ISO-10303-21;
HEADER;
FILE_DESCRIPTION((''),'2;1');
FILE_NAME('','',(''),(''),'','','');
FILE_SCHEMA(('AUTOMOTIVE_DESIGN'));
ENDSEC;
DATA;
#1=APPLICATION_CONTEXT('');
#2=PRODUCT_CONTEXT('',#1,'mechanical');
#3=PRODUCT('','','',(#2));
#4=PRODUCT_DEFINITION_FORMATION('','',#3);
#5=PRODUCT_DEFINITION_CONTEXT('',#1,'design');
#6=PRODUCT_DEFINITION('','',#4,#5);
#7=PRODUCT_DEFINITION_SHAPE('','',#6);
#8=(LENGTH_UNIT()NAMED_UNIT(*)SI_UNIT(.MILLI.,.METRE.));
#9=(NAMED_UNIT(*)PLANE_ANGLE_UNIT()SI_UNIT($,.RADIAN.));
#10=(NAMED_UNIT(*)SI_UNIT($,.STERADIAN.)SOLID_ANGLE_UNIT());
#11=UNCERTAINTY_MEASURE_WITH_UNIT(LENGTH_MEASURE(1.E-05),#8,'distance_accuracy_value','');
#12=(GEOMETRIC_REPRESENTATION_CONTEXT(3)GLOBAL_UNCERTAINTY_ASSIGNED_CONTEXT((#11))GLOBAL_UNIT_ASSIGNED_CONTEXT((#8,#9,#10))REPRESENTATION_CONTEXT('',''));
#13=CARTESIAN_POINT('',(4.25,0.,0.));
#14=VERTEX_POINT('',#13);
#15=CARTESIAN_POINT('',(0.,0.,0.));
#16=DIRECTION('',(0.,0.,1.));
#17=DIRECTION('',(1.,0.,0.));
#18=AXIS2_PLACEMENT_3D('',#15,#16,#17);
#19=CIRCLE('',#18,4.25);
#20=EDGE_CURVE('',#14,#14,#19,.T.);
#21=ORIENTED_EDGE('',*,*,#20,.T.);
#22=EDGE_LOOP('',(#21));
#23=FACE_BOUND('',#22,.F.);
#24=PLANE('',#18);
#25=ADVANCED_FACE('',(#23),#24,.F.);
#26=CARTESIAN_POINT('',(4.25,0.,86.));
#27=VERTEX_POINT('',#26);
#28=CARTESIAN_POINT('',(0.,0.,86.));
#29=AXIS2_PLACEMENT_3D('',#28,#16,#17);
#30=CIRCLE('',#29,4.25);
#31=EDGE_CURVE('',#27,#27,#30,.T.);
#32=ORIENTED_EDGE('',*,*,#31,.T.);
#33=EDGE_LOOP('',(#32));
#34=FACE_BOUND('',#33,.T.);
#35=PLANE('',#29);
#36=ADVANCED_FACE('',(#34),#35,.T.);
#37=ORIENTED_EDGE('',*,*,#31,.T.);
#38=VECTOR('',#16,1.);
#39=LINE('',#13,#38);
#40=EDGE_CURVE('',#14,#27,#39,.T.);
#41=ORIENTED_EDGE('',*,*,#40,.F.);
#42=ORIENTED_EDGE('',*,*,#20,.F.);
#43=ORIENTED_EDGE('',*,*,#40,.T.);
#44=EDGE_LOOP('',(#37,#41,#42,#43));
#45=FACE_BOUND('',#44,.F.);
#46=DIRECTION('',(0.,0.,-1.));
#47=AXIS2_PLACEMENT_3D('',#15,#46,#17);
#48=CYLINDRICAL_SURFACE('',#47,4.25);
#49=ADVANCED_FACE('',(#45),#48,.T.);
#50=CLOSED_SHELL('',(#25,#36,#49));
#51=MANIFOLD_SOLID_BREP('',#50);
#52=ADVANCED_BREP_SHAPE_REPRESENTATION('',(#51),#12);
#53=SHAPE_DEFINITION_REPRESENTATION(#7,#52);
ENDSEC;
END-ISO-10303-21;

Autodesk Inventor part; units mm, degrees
ref_plane "YZ Plane" through (0, 0, 0) normal (1, 0, 0) x (0, 1, 0)
ref_plane "XZ Plane" through (0, 0, 0) normal (0, 1, 0) x (-1, 0, 0)
ref_plane "XY Plane" through (0, 0, 0) normal (0, 0, 1) x (1, 0, 0)
sketch "Esboço1" plane through (0, 0, 0) normal (0, 0, 1) x (1, 0, 0)
  circle A0 centre (0, 0) radius 4.25
  dimension "d0" = 8.5
extrude "Extrusão1" add sketch "Esboço1" along normal blind 86
properties part number "eixoBase" material "Aço"
